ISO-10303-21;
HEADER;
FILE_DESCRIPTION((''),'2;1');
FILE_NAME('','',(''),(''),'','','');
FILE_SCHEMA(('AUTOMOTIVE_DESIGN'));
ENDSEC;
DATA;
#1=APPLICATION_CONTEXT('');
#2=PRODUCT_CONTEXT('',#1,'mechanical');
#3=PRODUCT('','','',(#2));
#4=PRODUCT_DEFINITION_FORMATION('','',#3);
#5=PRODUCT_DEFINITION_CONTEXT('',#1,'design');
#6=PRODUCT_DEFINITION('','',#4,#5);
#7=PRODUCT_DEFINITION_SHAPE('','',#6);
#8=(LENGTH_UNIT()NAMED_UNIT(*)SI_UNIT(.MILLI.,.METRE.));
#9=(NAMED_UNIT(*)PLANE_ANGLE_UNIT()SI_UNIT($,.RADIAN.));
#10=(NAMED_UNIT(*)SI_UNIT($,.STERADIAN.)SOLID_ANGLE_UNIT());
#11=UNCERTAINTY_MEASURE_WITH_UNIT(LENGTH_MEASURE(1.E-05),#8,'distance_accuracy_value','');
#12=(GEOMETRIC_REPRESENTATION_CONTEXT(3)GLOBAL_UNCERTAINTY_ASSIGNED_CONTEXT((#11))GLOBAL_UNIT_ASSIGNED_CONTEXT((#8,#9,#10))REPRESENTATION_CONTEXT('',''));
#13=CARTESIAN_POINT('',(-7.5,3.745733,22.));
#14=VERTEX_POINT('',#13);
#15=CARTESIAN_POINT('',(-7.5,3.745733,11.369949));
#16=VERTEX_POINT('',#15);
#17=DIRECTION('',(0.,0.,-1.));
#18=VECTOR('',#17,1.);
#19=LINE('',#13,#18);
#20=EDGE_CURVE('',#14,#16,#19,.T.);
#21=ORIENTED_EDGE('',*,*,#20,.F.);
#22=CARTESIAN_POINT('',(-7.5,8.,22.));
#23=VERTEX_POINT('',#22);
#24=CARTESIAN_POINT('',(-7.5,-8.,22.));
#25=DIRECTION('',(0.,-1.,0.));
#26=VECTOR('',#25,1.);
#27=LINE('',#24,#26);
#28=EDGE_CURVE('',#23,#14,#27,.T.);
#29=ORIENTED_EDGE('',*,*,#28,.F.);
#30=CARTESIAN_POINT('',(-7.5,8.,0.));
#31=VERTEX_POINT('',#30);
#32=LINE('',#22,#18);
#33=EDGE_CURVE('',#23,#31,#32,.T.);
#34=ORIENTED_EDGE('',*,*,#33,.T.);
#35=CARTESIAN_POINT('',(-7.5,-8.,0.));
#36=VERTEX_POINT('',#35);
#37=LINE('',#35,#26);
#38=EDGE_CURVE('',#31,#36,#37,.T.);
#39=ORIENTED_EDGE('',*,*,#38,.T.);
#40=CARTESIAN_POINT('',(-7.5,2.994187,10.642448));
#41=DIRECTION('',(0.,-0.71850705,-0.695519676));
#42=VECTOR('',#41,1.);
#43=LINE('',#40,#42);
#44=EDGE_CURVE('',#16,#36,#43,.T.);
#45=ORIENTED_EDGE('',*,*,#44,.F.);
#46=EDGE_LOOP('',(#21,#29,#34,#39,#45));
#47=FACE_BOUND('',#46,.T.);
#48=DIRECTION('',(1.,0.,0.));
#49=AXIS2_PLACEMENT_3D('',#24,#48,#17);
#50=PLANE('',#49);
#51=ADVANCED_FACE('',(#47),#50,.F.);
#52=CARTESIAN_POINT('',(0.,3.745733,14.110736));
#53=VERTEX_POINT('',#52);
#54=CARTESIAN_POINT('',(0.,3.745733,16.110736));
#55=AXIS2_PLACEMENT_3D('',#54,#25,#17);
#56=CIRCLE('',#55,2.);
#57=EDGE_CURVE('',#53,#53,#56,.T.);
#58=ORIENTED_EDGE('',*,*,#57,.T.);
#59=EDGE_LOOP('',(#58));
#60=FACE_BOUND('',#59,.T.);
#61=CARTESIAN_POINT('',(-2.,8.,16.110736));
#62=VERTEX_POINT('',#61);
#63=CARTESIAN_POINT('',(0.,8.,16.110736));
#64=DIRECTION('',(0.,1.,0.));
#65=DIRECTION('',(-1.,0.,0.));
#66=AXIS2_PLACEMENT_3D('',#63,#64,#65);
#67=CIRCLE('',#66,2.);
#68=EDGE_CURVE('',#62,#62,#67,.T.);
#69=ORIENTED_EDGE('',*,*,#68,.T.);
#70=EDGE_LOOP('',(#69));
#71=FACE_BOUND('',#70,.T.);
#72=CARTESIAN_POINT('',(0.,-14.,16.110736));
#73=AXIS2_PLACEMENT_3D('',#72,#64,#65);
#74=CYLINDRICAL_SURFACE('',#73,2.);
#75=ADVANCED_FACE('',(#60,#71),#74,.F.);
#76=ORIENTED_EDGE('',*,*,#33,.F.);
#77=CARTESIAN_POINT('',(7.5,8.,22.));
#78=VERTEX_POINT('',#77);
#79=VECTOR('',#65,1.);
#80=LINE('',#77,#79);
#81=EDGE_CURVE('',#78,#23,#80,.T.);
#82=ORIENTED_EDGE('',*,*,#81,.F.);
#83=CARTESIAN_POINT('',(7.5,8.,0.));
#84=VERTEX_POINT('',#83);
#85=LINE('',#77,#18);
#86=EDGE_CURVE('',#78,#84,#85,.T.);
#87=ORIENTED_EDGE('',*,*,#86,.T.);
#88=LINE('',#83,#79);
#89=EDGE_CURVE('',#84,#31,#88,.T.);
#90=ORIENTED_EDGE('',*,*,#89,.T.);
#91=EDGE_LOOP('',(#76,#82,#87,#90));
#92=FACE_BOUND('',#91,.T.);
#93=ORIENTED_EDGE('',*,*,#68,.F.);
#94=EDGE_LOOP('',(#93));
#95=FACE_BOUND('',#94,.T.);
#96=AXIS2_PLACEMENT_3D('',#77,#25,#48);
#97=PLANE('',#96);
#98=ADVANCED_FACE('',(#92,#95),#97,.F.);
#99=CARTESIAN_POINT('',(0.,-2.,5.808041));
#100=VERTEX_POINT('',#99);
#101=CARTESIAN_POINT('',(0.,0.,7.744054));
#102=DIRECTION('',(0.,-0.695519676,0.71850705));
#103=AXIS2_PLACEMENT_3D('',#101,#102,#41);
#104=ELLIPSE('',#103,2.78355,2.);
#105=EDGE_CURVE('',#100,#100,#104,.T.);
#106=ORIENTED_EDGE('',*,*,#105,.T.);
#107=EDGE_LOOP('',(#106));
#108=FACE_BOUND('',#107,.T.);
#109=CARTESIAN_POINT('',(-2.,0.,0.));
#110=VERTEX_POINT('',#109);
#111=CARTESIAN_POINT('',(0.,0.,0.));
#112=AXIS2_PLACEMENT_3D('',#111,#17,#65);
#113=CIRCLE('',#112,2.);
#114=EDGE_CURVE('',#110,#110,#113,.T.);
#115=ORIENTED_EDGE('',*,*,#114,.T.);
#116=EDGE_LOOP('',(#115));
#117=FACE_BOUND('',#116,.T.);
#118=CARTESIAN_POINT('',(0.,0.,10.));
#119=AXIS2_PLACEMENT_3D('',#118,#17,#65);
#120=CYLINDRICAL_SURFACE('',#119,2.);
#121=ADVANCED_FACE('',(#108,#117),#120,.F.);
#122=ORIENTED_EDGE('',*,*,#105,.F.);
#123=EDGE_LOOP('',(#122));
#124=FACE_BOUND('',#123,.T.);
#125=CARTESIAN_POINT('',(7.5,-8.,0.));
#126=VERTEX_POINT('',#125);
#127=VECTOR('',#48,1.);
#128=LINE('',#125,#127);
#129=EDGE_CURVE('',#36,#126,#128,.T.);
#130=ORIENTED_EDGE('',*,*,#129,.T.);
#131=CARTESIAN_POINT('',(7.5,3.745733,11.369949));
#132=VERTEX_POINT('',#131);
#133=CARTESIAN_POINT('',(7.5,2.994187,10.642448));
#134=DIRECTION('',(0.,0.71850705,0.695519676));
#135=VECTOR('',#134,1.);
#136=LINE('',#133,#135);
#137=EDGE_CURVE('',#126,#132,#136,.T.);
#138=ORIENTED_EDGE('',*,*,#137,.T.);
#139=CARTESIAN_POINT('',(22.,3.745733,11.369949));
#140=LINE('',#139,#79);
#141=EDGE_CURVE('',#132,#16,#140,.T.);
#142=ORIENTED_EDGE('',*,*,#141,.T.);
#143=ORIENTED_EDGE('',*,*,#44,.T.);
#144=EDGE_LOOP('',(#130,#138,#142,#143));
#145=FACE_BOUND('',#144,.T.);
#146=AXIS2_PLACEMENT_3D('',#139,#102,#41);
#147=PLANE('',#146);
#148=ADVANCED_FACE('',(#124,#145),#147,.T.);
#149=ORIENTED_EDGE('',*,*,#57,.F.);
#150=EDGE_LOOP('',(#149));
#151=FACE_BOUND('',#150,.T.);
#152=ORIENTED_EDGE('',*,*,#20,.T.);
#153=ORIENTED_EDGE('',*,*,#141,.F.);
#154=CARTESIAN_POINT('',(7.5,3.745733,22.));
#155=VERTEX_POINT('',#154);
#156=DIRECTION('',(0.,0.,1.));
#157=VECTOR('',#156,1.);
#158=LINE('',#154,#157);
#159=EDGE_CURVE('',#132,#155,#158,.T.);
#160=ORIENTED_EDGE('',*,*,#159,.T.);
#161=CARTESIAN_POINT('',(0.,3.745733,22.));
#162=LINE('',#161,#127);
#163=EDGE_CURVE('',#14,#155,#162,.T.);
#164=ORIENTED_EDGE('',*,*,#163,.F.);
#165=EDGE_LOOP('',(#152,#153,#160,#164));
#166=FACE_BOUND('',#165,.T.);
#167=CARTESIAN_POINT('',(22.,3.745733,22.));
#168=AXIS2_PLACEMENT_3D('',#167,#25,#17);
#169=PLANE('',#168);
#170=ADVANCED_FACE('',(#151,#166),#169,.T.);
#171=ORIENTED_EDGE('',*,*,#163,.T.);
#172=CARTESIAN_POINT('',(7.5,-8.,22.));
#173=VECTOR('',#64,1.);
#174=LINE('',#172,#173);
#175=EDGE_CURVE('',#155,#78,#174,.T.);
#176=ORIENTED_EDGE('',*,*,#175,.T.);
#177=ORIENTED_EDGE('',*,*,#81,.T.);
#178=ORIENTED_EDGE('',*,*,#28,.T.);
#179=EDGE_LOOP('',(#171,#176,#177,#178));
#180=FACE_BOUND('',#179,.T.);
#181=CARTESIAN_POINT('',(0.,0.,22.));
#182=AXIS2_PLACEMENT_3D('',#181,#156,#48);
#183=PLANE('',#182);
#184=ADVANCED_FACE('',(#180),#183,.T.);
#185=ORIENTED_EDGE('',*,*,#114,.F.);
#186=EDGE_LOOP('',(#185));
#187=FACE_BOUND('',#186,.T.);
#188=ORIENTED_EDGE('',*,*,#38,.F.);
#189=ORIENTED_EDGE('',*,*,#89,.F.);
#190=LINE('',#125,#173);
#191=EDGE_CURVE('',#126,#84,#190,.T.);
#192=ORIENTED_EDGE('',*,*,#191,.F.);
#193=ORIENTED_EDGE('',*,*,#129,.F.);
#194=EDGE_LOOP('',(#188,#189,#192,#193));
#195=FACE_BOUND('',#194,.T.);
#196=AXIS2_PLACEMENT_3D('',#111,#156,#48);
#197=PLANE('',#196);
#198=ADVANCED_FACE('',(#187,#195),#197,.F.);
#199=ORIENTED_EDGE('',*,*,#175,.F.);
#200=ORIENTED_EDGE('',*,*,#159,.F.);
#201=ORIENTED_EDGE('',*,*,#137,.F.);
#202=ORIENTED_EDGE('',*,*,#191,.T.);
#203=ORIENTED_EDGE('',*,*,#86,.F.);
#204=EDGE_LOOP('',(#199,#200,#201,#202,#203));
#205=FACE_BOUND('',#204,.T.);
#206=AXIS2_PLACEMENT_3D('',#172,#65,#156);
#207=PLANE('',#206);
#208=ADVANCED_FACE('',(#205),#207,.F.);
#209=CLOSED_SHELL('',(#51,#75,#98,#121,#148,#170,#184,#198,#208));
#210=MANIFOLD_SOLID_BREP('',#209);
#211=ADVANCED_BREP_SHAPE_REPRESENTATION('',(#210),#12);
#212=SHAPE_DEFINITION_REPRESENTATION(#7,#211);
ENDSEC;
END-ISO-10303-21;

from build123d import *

# Parameters (mm, degrees)
SKETCH1_W               = 15
SKETCH1_H               = 16
BOSS_EXTRUDE1_DEPTH     = 22
CUT_EXTRUDE1_DEPTH      = 22
CUT_EXTRUDE1_DEPTH_BACK = 22
SKETCH6_R               = 2
CUT_EXTRUDE2_DEPTH      = 22
SKETCH7_R               = 2
CUT_EXTRUDE3_DEPTH      = 10


with BuildPart() as part:
    # Sketch1 → Boss-Extrude1 (new body)
    with BuildSketch(Plane.XY):
        Rectangle(SKETCH1_W, SKETCH1_H)
    extrude(amount=BOSS_EXTRUDE1_DEPTH)

    # Sketch4 → Cut-Extrude1 (cut, two sides)
    with BuildSketch(Plane(origin=(0, 0, 0), x_dir=(0, 0, -1), z_dir=(1, 0, 0))) as cut_extrude1_sk:
        Polygon((-22, 3.745733089), (-11.369948947, 3.745733089), (0, -8), (-22, -8), align=None)
    extrude(amount=CUT_EXTRUDE1_DEPTH, mode=Mode.SUBTRACT)
    extrude(cut_extrude1_sk.sketch, amount=-CUT_EXTRUDE1_DEPTH_BACK, mode=Mode.SUBTRACT)

    # Sketch6 → Cut-Extrude2 (cut)
    with BuildSketch(Plane(origin=(0, 8, 0), x_dir=(1, 0, 0), z_dir=(0, 1, 0))):
        with Locations((0, -16.110735895)):
            Circle(SKETCH6_R)
    extrude(amount=-CUT_EXTRUDE2_DEPTH, mode=Mode.SUBTRACT)

    # Sketch7 → Cut-Extrude3 (cut)
    with BuildSketch(Plane(origin=(0, 0, 0), x_dir=(-1, 0, 0), z_dir=(0, 0, -1))):
        Circle(SKETCH7_R)
    extrude(amount=-CUT_EXTRUDE3_DEPTH, mode=Mode.SUBTRACT)


solid = part.part
